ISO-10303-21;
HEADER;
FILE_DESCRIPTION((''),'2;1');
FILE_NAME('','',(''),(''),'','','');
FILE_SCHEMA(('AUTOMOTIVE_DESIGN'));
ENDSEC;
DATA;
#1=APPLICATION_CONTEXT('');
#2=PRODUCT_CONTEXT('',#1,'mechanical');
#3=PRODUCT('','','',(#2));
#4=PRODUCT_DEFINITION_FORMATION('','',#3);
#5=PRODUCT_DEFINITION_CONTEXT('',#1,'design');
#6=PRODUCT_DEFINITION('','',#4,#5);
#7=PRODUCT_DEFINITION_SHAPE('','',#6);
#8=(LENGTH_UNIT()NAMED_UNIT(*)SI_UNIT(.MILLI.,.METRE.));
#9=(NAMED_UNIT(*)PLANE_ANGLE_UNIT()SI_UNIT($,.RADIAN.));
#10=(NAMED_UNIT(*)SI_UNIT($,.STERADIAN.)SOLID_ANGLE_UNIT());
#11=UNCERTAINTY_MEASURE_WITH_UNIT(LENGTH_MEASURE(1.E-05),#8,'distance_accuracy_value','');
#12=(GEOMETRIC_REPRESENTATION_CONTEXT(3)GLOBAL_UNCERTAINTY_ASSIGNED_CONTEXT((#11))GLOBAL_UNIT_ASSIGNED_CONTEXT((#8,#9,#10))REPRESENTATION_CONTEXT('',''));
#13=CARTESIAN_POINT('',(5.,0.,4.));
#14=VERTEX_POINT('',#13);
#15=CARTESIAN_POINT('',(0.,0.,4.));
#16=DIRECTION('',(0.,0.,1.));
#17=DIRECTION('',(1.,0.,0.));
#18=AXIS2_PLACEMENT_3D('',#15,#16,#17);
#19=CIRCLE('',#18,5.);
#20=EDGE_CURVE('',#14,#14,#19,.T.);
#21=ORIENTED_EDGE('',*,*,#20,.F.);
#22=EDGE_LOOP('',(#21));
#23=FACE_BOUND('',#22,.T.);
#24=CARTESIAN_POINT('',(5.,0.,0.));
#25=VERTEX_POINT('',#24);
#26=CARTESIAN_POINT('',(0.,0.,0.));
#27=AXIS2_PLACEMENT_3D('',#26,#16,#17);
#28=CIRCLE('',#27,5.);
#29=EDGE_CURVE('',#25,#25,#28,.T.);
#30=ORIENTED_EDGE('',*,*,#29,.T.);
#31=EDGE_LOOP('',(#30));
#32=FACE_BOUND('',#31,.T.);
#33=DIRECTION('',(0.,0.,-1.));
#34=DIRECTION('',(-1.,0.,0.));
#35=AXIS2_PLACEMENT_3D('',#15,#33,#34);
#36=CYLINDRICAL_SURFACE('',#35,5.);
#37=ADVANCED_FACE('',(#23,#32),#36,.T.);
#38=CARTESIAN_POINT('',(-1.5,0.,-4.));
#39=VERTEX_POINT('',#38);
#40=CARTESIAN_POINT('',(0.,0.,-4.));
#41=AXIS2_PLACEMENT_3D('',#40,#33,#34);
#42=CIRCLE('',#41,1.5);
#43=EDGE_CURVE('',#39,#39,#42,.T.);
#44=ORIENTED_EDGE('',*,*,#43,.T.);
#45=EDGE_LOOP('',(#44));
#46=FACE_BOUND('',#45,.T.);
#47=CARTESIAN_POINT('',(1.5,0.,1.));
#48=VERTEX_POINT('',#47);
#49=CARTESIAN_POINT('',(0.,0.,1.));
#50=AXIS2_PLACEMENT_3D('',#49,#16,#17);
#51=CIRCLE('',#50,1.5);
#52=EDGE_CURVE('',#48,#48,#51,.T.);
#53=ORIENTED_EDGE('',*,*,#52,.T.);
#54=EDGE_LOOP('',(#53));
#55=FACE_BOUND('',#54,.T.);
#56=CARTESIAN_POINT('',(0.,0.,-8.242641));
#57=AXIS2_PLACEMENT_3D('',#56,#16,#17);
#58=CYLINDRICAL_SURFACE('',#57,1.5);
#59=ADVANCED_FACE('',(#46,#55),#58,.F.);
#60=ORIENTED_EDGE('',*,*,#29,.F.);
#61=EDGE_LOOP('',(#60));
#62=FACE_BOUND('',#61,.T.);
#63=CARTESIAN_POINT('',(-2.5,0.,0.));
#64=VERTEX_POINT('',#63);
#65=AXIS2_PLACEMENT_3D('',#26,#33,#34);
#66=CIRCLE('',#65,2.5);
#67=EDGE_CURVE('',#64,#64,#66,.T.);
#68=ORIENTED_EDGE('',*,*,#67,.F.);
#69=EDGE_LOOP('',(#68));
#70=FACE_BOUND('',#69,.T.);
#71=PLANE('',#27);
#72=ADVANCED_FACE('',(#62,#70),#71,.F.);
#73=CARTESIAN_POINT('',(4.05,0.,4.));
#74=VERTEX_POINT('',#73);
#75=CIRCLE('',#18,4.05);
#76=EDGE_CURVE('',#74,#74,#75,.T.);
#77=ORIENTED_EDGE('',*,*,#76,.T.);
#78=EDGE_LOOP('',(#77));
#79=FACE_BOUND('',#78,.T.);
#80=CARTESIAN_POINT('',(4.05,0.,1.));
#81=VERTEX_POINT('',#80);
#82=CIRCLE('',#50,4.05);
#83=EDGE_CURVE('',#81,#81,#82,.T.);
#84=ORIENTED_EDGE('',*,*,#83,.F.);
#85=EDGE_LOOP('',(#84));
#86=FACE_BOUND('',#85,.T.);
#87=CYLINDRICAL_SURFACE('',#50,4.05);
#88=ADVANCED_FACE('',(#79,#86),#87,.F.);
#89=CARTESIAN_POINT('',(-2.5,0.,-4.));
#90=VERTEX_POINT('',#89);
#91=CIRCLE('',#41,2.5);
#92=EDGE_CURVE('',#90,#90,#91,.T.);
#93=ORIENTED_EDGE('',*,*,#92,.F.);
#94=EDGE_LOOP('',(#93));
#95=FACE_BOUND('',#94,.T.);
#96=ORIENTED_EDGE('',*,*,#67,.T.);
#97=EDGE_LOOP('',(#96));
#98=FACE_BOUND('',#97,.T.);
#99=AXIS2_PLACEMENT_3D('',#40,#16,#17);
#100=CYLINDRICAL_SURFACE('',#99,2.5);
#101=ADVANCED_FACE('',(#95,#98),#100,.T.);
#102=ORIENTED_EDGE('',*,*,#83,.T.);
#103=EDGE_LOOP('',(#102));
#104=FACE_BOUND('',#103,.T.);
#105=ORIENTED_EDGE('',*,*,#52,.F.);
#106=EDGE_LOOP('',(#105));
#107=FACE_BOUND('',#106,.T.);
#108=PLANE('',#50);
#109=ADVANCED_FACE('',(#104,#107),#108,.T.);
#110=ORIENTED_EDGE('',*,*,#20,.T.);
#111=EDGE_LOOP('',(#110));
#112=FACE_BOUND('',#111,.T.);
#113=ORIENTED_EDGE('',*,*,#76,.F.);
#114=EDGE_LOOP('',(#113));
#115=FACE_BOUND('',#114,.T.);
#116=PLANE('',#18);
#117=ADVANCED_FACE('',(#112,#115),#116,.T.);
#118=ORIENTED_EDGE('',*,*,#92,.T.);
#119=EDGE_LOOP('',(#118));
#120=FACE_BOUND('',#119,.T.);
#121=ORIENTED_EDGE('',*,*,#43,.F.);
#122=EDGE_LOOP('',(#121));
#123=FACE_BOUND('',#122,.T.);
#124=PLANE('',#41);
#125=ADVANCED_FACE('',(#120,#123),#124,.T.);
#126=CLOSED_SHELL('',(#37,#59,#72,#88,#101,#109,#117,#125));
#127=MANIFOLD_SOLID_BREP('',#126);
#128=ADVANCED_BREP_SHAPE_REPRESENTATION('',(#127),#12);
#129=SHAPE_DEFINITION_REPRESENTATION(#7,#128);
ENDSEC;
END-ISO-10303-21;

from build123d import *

# Parameters (mm, degrees)
SKETCH_1_R               = 5
EXTRUDE_1_DEPTH          = 4
SKETCH_4_R               = 2.5
EXTRUDE_2_DEPTH          = 4
SKETCH_2_R               = 1.5
CUT_EXTRUDE_1_DEPTH      = 4
CUT_EXTRUDE_1_DEPTH_BACK = 3
SKETCH_3_R               = 4.05
CUT_EXTRUDE_2_DEPTH      = 3


with BuildPart() as part:
    # 草图1 → 凸台-拉伸1 (new body)
    with BuildSketch(Plane.XY):
        Circle(SKETCH_1_R)
    extrude(amount=EXTRUDE_1_DEPTH)

    # 草图4 → 凸台-拉伸2 (add)
    with BuildSketch(Plane(origin=(0, 0, 0), x_dir=(-1, 0, 0), z_dir=(0, 0, -1))):
        Circle(SKETCH_4_R)
    extrude(amount=EXTRUDE_2_DEPTH)

    # 草图2 → 切除-拉伸1 (cut, two sides)
    with BuildSketch(Plane(origin=(0, 0, 0), x_dir=(-1, 0, 0), z_dir=(0, 0, -1))) as cut_extrude_1_sk:
        Circle(SKETCH_2_R)
    extrude(amount=CUT_EXTRUDE_1_DEPTH, mode=Mode.SUBTRACT)
    extrude(cut_extrude_1_sk.sketch, amount=-CUT_EXTRUDE_1_DEPTH_BACK, mode=Mode.SUBTRACT)

    # 草图3 → 切除-拉伸2 (cut)
    with BuildSketch(Plane.XY.offset(4)):
        Circle(SKETCH_3_R)
    extrude(amount=-CUT_EXTRUDE_2_DEPTH, mode=Mode.SUBTRACT)


solid = part.part
